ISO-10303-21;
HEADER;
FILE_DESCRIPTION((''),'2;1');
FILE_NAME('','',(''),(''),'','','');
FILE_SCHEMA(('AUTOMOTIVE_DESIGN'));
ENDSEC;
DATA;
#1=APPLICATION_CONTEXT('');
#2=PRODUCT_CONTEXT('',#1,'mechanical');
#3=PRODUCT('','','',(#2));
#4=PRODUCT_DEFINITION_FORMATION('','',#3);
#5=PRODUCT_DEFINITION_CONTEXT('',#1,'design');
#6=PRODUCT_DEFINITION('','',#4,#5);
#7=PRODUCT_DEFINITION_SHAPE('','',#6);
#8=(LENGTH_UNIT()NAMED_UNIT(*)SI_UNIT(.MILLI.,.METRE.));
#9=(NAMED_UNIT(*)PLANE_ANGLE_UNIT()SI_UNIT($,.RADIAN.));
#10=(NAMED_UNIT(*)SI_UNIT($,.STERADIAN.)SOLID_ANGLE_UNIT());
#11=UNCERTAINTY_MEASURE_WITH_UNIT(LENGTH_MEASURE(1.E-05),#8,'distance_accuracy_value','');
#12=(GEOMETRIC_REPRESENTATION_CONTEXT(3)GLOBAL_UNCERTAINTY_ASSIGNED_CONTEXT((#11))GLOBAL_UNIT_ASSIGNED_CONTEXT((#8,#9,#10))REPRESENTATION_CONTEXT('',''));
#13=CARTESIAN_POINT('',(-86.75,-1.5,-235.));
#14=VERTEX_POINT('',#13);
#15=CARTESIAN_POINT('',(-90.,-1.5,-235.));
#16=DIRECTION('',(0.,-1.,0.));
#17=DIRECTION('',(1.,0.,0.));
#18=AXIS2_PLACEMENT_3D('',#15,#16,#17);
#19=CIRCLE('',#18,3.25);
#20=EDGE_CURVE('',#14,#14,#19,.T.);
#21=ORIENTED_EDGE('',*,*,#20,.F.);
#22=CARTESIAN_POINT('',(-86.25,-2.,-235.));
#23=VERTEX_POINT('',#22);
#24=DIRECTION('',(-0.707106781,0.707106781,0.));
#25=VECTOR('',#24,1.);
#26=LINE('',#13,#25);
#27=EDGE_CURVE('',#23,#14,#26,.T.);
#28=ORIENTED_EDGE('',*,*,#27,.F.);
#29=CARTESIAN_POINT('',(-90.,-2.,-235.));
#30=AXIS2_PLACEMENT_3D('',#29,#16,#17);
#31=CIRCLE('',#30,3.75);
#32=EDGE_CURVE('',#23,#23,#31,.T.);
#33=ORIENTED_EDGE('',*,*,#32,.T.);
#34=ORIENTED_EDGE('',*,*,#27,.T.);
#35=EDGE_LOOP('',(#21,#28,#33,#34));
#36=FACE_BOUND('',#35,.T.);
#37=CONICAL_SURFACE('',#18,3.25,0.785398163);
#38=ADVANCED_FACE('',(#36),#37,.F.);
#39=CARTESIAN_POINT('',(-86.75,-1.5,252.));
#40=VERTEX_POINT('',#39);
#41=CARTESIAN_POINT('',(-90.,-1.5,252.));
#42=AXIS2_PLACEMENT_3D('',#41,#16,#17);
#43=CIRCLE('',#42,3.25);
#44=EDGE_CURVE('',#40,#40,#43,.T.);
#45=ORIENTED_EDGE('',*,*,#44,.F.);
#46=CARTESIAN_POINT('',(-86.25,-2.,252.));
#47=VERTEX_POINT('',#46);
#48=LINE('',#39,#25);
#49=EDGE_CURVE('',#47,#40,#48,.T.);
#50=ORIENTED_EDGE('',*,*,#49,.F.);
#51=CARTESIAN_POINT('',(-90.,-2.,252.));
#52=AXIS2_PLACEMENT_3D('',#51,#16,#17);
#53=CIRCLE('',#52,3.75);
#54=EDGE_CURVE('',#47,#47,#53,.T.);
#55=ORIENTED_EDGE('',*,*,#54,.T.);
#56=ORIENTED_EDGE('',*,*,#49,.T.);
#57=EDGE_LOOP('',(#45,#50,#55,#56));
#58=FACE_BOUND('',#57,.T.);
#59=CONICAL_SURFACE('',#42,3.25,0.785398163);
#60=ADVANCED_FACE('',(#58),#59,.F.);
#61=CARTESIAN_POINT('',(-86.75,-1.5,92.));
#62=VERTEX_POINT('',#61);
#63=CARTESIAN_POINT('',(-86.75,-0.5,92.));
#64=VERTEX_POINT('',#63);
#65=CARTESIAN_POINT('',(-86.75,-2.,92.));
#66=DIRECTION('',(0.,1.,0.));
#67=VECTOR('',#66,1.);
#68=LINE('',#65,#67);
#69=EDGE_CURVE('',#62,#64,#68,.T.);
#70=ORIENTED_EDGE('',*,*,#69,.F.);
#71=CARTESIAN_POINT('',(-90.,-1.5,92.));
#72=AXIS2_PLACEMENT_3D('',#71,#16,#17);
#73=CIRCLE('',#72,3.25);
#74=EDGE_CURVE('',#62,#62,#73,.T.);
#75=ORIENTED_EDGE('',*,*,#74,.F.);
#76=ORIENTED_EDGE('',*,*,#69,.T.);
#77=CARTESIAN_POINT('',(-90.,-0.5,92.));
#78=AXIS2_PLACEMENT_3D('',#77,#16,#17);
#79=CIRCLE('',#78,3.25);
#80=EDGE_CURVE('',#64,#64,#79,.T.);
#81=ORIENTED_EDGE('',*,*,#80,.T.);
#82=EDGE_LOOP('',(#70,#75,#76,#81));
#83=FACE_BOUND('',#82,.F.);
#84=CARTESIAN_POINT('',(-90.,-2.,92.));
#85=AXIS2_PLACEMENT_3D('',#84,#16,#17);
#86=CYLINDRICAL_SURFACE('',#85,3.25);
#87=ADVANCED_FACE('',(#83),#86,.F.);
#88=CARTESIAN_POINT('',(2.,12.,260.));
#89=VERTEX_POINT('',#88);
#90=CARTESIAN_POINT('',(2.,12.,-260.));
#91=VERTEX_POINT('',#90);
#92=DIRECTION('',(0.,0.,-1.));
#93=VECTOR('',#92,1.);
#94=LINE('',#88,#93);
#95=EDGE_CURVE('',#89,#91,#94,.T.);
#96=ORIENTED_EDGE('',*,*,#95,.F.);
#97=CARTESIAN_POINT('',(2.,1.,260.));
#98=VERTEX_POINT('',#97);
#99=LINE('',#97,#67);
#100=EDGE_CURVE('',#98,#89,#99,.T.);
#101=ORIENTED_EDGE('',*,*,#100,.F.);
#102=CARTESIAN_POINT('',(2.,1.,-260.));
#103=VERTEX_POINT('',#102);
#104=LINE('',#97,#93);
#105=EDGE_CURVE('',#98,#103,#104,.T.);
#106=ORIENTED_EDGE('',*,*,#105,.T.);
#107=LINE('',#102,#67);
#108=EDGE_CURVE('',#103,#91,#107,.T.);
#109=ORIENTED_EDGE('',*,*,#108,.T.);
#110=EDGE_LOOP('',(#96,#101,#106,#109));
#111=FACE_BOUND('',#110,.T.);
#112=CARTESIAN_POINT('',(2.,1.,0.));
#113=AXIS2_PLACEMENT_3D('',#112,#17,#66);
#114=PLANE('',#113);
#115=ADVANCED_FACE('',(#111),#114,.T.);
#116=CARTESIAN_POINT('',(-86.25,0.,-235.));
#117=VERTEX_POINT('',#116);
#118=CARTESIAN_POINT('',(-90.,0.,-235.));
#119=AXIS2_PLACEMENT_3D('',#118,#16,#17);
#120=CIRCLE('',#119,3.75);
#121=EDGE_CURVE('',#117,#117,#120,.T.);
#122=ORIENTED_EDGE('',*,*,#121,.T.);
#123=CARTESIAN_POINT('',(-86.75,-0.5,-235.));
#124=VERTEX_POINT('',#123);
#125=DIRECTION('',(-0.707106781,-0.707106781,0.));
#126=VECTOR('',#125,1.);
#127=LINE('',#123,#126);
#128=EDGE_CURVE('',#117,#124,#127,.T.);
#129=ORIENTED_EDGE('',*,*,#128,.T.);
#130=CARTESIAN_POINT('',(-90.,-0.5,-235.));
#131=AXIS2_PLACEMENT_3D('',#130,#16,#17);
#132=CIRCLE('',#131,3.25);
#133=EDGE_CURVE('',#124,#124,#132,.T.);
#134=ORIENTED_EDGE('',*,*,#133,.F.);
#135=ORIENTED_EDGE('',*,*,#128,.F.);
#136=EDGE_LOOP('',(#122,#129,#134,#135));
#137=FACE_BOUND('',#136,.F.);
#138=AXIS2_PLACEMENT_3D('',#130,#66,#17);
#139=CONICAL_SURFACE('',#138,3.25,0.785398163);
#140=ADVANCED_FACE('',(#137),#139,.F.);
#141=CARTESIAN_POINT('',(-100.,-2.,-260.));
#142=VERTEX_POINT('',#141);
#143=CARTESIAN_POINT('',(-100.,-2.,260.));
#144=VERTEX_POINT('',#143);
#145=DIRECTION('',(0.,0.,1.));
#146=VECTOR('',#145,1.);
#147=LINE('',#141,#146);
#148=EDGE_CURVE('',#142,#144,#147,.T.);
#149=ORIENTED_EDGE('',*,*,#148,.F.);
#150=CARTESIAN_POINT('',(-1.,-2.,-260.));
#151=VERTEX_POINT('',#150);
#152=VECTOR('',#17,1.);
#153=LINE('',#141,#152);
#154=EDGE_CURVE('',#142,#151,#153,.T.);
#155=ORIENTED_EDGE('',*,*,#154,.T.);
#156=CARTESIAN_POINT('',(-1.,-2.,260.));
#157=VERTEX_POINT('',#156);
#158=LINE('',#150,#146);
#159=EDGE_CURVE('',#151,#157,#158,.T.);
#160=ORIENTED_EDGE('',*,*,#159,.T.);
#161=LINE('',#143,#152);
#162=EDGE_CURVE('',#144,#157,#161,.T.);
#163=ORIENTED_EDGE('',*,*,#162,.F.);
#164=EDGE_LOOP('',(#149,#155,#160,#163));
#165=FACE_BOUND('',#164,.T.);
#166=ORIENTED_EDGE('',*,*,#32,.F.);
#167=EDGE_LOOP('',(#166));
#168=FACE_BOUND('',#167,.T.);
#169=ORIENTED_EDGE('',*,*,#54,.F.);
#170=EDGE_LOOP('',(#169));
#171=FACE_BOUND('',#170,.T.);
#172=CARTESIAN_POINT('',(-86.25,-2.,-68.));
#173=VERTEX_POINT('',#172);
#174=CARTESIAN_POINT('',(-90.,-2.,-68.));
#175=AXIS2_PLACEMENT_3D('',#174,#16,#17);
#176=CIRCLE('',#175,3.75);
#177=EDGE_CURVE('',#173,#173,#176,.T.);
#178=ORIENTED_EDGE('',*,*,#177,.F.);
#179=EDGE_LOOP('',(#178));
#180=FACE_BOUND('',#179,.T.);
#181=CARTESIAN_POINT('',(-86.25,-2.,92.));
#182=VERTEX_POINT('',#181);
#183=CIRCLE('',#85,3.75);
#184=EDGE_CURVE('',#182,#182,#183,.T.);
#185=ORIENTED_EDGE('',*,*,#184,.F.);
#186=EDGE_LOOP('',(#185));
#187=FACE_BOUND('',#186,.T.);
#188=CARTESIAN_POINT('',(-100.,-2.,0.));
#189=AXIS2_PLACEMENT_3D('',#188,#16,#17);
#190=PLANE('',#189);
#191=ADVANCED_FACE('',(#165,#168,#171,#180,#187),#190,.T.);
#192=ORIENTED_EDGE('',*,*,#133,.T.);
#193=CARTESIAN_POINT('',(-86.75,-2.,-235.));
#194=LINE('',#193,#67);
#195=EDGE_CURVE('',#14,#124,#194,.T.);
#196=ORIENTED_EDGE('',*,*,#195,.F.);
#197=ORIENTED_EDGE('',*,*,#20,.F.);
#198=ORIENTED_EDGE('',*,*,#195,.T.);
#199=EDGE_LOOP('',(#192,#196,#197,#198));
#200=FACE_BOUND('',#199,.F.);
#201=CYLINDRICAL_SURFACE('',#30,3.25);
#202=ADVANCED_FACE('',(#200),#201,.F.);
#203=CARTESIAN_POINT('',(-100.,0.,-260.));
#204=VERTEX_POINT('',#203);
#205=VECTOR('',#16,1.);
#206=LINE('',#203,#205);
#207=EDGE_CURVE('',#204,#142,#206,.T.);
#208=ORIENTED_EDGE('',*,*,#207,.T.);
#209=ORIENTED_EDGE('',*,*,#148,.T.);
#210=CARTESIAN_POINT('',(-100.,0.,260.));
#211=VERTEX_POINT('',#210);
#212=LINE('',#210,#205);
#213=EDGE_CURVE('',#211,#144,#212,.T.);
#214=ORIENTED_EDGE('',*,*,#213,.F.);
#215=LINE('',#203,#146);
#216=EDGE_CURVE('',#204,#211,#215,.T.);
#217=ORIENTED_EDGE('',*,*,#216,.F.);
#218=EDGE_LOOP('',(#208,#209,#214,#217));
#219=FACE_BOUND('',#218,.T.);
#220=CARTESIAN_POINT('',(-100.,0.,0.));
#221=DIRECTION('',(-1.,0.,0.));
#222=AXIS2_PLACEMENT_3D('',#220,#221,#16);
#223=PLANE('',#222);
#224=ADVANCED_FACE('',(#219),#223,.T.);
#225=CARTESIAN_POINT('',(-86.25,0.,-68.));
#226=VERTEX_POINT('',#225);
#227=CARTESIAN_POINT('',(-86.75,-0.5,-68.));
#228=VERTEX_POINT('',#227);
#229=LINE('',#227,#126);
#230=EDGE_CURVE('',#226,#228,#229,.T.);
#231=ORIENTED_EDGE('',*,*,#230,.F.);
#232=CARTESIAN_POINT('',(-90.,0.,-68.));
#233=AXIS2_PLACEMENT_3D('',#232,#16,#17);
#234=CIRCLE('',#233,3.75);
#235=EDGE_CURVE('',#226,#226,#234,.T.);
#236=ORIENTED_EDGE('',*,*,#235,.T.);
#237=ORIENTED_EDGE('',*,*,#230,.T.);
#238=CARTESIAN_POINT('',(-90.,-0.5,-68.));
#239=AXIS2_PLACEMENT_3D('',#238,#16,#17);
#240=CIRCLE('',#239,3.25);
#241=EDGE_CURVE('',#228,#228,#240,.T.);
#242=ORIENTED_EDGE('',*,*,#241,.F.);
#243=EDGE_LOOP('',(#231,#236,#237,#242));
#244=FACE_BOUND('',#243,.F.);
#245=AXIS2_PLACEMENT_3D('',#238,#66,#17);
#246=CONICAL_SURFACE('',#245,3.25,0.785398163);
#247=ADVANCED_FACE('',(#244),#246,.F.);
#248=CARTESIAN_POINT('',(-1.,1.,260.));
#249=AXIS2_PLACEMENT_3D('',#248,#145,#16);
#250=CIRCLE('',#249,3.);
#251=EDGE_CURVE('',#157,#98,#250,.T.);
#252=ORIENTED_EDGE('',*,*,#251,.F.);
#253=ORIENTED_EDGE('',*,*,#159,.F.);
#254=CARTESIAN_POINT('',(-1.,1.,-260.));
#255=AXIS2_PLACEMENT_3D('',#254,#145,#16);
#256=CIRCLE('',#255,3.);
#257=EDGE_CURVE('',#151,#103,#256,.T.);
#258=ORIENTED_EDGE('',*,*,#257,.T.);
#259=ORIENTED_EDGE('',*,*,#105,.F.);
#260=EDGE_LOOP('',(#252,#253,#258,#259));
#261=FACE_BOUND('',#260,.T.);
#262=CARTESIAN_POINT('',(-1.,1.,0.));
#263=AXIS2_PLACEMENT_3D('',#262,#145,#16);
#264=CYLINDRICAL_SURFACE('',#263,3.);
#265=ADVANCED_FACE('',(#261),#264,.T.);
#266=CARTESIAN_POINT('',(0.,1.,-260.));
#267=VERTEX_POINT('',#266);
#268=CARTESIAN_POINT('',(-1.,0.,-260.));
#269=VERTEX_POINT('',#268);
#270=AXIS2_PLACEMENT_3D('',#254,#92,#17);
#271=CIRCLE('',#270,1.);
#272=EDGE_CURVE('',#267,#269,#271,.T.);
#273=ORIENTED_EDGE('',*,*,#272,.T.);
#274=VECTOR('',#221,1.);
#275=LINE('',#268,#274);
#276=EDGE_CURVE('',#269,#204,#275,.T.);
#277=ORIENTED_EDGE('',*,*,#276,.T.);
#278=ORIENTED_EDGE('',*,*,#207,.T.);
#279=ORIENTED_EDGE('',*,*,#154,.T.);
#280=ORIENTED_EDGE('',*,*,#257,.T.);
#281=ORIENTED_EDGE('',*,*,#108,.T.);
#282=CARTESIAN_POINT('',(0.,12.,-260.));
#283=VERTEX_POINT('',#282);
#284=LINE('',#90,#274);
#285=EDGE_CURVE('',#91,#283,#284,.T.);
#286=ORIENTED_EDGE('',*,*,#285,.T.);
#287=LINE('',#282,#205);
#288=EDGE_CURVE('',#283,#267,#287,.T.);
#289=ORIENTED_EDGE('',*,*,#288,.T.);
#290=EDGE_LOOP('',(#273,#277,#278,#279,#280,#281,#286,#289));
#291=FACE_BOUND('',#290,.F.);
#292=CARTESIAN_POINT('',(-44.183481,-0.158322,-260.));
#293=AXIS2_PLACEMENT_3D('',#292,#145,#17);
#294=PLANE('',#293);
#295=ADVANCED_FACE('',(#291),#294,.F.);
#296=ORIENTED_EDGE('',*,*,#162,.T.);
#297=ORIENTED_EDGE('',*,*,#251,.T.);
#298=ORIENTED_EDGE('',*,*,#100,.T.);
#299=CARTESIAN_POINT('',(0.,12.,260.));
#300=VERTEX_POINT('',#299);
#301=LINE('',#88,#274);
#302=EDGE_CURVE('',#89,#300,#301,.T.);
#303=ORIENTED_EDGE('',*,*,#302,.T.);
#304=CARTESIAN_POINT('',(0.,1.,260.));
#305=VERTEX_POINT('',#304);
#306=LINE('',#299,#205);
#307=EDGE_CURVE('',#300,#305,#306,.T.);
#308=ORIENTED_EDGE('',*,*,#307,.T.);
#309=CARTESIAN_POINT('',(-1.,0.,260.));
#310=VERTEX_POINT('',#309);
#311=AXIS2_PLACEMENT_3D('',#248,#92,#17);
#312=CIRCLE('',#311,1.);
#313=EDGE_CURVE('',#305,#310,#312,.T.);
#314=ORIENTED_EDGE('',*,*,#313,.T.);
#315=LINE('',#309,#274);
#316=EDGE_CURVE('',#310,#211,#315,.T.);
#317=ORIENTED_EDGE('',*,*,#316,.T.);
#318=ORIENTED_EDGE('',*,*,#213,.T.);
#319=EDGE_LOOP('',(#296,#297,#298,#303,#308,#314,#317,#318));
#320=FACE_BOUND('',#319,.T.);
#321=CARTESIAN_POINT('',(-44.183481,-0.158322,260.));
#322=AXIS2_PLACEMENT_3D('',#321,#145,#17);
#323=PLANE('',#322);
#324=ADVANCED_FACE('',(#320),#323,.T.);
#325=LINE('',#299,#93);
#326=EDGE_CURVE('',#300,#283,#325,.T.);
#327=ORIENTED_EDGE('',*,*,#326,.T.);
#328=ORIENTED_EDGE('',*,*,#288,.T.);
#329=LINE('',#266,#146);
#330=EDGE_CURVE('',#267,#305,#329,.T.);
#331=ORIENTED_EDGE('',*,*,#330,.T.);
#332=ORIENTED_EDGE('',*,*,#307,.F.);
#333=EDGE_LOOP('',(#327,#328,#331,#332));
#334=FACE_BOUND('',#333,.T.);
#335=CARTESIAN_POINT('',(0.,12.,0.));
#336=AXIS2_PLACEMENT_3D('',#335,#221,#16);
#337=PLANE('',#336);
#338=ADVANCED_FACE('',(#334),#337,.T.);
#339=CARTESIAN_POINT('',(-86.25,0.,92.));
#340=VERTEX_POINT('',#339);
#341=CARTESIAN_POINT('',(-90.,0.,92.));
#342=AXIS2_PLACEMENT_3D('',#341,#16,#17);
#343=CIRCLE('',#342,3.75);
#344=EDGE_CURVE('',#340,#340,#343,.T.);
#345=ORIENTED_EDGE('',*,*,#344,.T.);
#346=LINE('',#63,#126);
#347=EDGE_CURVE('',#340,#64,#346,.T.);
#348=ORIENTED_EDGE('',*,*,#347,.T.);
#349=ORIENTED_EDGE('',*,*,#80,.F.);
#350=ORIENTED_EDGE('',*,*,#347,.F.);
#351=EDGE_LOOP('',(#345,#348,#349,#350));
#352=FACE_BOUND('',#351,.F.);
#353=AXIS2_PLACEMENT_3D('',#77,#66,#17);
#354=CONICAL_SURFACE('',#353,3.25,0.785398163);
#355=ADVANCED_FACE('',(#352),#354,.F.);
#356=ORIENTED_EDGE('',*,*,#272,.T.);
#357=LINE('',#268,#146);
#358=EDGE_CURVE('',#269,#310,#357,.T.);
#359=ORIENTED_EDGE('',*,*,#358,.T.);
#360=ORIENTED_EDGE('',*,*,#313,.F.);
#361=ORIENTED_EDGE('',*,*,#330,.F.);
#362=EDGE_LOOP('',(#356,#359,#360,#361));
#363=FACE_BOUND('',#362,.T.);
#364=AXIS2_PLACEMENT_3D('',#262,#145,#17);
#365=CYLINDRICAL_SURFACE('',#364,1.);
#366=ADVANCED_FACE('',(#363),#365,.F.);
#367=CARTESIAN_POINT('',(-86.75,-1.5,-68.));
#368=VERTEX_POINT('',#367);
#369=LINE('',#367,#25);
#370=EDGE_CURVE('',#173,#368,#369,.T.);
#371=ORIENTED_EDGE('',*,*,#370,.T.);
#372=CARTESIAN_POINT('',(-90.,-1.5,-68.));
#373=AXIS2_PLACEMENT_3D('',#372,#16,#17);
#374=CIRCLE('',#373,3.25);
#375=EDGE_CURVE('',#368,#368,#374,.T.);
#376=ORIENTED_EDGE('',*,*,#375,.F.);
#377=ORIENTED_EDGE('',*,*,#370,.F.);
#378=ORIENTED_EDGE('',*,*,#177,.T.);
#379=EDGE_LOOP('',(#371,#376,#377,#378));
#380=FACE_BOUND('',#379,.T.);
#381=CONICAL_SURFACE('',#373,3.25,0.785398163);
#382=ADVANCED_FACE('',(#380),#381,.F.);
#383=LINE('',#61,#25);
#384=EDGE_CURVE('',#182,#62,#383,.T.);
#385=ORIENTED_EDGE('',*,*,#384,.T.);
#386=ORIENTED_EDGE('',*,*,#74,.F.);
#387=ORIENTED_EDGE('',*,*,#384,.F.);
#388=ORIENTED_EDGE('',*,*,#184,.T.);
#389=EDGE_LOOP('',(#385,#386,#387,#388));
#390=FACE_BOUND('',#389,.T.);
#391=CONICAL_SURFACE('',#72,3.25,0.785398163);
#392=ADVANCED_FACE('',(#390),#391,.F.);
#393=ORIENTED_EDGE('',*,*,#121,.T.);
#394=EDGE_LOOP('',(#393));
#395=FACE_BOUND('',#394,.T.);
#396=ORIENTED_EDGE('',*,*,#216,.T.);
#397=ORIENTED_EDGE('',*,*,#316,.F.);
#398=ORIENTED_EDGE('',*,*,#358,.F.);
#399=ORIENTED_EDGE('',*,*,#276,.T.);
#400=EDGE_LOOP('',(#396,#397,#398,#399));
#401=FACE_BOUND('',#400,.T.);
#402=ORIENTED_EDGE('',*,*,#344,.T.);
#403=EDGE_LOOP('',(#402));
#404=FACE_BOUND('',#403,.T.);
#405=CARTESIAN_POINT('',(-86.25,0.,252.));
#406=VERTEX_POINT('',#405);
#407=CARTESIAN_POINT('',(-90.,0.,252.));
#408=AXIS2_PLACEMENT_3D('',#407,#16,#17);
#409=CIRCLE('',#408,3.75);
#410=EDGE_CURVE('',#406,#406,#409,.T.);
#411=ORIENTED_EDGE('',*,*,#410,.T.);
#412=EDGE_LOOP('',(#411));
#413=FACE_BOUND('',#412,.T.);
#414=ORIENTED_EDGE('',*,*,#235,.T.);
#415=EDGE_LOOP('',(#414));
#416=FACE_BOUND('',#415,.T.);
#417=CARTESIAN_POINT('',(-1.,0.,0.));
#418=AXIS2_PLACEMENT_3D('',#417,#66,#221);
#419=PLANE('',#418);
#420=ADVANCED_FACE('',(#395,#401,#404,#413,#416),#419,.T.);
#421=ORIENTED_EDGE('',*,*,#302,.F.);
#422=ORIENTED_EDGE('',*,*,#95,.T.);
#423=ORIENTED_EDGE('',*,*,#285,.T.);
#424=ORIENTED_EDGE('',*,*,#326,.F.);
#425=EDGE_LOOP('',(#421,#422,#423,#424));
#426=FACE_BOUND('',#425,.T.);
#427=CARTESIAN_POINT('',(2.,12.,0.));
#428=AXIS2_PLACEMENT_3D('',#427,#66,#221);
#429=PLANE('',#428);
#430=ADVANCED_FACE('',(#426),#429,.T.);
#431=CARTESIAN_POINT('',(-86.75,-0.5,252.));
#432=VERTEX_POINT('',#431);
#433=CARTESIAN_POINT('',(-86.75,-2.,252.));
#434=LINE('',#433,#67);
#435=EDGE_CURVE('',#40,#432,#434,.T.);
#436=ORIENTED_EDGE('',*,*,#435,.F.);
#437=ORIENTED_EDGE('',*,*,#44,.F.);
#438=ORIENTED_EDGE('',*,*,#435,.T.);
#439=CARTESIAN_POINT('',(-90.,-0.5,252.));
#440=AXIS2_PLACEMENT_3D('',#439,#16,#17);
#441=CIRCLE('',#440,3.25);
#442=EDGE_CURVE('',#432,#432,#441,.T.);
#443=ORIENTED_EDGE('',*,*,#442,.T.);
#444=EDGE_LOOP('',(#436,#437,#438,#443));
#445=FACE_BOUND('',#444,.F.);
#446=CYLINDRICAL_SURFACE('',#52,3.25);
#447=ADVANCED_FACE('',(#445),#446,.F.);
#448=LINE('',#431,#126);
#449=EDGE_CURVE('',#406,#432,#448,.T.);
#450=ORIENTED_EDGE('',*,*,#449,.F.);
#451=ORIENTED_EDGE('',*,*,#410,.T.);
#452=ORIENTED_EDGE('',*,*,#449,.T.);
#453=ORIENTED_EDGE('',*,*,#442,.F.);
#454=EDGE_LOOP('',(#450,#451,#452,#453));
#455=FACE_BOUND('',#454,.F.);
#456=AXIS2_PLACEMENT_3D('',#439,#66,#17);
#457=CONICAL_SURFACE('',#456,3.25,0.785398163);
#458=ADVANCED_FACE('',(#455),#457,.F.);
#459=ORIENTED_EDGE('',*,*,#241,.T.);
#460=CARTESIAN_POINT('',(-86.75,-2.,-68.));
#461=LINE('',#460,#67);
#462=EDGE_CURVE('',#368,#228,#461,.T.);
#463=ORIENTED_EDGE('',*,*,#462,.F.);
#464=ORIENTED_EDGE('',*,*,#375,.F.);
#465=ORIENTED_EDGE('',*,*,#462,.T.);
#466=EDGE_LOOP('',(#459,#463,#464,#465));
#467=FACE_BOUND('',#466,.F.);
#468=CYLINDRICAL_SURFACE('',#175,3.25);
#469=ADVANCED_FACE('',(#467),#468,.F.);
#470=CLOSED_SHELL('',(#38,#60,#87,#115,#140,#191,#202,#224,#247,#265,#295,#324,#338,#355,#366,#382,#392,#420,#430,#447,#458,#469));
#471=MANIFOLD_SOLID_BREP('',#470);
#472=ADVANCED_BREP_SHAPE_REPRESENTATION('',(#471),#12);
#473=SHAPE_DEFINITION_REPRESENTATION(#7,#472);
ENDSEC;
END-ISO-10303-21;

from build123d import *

# Parameters (mm, degrees)
F1_DEPTH = 260
F2_R     = 3.25
F3_DEPTH = 25
F4_SIZE  = 0.5


with BuildPart() as f1:
    # F0 (on Top) → F1 (new body, symmetric)
    with BuildSketch(Plane.XY):
        with BuildLine():
            Line((0, 12), (0, 1))
            ThreePointArc((0, 1), (-0.2928932188, 0.2928932188), (-1, 0))
            Line((-1, 0), (-100, 0))
            Line((-100, 0), (-100, -2))
            Line((-100, -2), (-1, -2))
            ThreePointArc((-1, -2), (1.1213203436, -1.1213203436), (2, 1))
            Line((2, 1), (2, 12))
            Line((2, 12), (0, 12))
        make_face()
    extrude(amount=F1_DEPTH, both=True)

    # F2 (on face) → F3 (cut)
    with BuildSketch(Plane.XZ.offset(2)):
        with Locations((-90, 252)):
            Circle(F2_R)
        with Locations((-90, -235)):
            Circle(F2_R)
        with Locations((-90, 92)):
            Circle(F2_R)
        with Locations((-90, -68)):
            Circle(F2_R)
    extrude(amount=-F3_DEPTH, mode=Mode.SUBTRACT)

    # F4
    f4_edges = [f1.edges().sort_by_distance(p)[0] for p in [
        (-93.25, -2, 252),
        (-86.75, -1, 252),
        (-93.25, 0, 252),
        (-93.25, -2, 92),
        (-86.75, -1, 92),
        (-93.25, 0, 92),
        (-93.25, -2, -68),
        (-86.75, -1, -68),
        (-93.25, 0, -68),
        (-93.25, -2, -235),
        (-86.75, -1, -235),
        (-93.25, 0, -235),
    ]]
    chamfer(f4_edges, length=F4_SIZE)


solid = f1.part
